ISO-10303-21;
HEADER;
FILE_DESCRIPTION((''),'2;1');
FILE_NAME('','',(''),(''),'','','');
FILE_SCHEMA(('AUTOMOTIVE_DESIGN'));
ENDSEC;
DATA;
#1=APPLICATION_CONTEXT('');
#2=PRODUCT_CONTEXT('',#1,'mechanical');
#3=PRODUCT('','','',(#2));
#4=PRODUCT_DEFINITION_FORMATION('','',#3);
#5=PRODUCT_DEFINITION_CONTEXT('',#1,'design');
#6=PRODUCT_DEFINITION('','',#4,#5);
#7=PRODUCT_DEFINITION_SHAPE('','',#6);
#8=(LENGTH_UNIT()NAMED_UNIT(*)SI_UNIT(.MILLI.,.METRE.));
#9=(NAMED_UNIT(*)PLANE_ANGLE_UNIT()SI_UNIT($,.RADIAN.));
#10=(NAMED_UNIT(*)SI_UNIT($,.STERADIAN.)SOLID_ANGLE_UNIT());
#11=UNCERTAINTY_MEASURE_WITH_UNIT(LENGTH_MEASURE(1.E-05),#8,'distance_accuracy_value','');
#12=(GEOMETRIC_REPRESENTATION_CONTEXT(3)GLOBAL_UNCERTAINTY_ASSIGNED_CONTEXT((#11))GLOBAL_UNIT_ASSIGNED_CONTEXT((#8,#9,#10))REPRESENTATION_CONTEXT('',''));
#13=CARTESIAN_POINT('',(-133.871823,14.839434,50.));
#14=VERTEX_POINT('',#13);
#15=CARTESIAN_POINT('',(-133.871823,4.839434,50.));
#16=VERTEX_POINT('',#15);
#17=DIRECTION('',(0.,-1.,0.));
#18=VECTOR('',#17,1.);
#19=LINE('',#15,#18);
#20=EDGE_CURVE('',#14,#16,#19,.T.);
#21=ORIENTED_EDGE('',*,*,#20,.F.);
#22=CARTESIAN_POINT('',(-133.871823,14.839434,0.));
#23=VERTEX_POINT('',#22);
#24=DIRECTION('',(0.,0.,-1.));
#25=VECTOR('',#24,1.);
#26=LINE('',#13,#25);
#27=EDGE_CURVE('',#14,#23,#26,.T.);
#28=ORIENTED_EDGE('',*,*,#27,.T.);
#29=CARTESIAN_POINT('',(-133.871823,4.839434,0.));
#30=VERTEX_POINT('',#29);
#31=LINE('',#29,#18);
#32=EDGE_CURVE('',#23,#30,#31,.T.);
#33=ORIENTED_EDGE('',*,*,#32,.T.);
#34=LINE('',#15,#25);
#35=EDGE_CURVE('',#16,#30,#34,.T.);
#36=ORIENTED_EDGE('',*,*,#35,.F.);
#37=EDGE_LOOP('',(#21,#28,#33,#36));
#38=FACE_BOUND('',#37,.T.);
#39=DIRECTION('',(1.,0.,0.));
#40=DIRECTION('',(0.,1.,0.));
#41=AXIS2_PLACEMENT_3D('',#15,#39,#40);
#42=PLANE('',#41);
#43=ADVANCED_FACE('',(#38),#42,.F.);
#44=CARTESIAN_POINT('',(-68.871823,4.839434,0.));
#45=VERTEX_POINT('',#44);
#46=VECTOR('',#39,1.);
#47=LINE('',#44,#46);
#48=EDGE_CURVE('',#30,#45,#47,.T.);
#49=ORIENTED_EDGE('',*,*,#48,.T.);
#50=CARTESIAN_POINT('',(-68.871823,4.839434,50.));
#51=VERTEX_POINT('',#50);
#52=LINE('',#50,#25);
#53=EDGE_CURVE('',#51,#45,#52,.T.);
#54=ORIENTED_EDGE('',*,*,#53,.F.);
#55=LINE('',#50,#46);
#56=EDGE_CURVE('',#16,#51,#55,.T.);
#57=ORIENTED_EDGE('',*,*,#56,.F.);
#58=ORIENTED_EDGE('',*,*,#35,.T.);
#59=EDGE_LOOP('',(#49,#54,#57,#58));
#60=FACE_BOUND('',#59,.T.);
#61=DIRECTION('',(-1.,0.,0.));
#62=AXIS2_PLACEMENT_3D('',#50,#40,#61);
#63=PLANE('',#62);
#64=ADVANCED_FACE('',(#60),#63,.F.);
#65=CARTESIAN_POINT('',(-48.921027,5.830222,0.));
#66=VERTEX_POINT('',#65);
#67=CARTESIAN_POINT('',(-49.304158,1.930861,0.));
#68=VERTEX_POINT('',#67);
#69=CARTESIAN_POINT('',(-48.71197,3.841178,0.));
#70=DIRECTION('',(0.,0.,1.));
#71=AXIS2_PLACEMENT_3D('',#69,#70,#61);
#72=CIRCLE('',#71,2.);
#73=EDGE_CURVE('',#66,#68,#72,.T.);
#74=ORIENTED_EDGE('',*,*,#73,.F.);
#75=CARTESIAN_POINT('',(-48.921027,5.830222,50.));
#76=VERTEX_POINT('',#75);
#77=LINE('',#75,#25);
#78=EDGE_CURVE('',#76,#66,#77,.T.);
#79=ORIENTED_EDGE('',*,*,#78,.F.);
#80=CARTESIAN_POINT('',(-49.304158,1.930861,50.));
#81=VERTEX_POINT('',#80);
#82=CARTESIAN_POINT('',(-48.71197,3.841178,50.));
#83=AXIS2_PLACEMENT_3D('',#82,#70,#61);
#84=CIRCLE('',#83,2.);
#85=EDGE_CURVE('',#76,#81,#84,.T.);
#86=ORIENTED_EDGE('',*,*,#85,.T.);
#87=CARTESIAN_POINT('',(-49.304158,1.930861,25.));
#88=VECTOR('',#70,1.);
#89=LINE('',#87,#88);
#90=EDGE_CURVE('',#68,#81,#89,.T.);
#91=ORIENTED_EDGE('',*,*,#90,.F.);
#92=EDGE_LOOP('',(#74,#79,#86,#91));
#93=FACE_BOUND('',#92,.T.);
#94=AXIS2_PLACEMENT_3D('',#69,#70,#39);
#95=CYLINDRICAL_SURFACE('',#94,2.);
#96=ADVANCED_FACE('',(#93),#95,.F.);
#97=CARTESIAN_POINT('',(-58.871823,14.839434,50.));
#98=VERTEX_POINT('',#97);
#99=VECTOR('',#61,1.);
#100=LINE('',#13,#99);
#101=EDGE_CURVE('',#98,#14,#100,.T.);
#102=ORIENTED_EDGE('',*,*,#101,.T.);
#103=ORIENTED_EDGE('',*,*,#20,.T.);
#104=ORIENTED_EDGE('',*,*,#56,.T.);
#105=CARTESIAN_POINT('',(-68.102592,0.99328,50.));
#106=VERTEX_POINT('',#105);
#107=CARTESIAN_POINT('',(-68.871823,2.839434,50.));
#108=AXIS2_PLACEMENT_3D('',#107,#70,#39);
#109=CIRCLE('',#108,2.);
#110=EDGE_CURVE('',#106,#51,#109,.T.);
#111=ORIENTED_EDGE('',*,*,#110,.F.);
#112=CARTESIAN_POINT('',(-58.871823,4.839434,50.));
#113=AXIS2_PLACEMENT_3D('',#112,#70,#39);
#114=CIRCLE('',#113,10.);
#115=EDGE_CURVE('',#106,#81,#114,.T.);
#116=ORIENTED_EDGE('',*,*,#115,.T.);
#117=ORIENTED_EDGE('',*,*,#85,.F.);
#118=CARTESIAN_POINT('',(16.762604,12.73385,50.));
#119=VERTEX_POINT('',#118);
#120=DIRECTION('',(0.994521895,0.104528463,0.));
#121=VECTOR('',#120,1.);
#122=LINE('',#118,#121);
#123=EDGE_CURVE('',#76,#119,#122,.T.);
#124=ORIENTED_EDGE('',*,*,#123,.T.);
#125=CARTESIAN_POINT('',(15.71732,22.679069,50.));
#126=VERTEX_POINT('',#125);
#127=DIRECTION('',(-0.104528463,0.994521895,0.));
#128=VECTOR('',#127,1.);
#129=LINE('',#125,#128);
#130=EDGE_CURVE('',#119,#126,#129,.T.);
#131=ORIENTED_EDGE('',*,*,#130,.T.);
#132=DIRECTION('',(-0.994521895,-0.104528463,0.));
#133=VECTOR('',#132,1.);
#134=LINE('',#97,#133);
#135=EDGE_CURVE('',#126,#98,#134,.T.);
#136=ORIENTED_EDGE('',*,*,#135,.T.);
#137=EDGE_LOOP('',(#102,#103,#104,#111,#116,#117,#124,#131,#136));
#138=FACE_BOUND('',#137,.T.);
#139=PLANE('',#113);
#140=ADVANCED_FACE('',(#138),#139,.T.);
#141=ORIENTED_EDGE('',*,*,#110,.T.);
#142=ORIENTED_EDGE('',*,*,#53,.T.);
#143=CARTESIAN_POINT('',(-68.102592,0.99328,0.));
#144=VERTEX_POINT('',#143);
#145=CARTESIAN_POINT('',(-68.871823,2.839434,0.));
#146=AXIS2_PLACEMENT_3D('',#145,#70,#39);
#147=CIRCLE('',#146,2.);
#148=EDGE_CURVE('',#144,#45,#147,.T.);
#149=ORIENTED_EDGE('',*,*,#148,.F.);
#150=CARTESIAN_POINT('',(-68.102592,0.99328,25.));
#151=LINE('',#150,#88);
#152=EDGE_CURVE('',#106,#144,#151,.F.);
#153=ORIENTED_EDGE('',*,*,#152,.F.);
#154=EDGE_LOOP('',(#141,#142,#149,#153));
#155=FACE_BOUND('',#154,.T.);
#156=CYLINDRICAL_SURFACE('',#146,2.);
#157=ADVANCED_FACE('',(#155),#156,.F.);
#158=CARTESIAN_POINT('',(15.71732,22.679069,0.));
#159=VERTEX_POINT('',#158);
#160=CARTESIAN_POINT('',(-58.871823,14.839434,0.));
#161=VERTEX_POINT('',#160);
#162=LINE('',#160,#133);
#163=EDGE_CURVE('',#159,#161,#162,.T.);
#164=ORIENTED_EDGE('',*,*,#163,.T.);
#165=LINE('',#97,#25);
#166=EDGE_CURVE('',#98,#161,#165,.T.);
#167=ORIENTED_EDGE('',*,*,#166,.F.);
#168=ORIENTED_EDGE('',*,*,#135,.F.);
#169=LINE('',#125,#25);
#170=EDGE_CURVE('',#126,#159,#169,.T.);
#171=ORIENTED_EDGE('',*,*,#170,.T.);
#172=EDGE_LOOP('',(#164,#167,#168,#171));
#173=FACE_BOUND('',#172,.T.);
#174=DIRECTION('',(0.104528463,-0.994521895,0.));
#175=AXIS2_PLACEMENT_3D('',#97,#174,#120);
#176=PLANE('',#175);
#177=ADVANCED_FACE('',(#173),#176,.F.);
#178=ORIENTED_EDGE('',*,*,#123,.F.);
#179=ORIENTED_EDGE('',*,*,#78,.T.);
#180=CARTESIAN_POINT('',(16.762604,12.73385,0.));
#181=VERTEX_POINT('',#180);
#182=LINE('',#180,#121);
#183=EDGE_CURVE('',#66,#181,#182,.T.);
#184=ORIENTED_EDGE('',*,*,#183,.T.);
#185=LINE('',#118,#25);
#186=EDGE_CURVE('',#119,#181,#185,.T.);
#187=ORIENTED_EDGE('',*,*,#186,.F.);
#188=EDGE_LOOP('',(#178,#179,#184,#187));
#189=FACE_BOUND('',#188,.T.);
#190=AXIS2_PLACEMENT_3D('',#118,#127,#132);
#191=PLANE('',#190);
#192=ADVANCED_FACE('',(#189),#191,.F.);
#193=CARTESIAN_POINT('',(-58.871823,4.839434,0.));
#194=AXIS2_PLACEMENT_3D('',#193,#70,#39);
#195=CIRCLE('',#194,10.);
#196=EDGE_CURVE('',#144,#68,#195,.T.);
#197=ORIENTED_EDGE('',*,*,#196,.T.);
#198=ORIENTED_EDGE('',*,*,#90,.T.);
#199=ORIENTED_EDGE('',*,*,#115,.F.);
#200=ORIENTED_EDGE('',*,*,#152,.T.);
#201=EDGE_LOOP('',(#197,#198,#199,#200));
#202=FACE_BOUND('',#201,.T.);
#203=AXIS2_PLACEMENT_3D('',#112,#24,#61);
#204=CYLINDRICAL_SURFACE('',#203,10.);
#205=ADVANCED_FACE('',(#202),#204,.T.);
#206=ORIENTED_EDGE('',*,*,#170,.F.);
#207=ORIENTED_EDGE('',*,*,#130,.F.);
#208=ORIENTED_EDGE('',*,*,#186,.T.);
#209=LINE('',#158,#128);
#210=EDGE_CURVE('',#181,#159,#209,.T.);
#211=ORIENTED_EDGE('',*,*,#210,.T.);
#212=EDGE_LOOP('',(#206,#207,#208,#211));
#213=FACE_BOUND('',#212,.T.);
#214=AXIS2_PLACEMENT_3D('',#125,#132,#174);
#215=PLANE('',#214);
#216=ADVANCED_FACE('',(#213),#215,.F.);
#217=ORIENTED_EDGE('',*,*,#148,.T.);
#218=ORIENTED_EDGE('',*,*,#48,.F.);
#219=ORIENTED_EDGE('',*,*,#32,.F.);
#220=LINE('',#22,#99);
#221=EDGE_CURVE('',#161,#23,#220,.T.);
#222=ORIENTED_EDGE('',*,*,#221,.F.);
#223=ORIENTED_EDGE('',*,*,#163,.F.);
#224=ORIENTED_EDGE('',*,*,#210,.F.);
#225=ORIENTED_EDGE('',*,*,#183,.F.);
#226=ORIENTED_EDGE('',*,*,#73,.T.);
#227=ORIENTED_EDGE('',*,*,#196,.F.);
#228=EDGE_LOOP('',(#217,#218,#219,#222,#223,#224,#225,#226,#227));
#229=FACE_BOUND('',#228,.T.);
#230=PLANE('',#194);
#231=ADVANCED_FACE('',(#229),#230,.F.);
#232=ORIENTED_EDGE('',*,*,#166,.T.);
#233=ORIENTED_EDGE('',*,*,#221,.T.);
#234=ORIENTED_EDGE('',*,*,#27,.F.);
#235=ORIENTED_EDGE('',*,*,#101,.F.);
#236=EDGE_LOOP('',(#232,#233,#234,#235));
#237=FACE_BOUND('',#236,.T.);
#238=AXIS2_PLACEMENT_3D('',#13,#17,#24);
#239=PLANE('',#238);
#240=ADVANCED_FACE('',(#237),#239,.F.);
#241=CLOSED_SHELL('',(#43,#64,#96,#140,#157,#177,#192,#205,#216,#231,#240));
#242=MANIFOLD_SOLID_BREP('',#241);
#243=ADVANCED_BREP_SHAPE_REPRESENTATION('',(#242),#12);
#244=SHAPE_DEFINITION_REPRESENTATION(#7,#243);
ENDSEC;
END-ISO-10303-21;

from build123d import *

# Parameters (mm, degrees)
BOSS_EXTRUDE1_DEPTH = 50
CUT_EXTRUDE1_DEPTH  = 50


with BuildPart() as part:
    # Sketch2 → Boss-Extrude1 (new body)
    with BuildSketch(Plane.XY):
        with BuildLine():
            Line((-133.871822526, 14.839434035), (-58.871822526, 14.839434035))
            Line((-58.871822526, 14.839434035), (15.717319626, 22.67906878))
            Line((15.717319626, 22.67906878), (16.762604259, 12.733849826))
            Line((16.762604259, 12.733849826), (-48.921026621, 5.830222033))
            ThreePointArc((-48.921026621, 5.830222033), (-58.375818015, -5.148257366), (-68.871822526, 4.839434035))
            Line((-68.871822526, 4.839434035), (-133.871822526, 4.839434035))
            Line((-133.871822526, 4.839434035), (-133.871822526, 14.839434035))
        make_face()
    extrude(amount=BOSS_EXTRUDE1_DEPTH)

    # Sketch4 → Cut-Extrude1 (cut)
    with BuildSketch(Plane.XY.offset(50)):
        with BuildLine():
            Line((-68.871822526, 0.839434035), (-68.871822526, 4.839434035))
            ThreePointArc((-68.871822526, 4.839434035), (-66.871822526, 2.839434035), (-68.871822526, 0.839434035))
        make_face()
        with BuildLine():
            Line((-48.502912768, 1.852134452), (-48.921026621, 5.830222033))
            ThreePointArc((-48.921026621, 5.830222033), (-50.701013486, 3.632121316), (-48.502912768, 1.852134452))
        make_face()
    extrude(amount=-CUT_EXTRUDE1_DEPTH, mode=Mode.SUBTRACT)


solid = part.part
